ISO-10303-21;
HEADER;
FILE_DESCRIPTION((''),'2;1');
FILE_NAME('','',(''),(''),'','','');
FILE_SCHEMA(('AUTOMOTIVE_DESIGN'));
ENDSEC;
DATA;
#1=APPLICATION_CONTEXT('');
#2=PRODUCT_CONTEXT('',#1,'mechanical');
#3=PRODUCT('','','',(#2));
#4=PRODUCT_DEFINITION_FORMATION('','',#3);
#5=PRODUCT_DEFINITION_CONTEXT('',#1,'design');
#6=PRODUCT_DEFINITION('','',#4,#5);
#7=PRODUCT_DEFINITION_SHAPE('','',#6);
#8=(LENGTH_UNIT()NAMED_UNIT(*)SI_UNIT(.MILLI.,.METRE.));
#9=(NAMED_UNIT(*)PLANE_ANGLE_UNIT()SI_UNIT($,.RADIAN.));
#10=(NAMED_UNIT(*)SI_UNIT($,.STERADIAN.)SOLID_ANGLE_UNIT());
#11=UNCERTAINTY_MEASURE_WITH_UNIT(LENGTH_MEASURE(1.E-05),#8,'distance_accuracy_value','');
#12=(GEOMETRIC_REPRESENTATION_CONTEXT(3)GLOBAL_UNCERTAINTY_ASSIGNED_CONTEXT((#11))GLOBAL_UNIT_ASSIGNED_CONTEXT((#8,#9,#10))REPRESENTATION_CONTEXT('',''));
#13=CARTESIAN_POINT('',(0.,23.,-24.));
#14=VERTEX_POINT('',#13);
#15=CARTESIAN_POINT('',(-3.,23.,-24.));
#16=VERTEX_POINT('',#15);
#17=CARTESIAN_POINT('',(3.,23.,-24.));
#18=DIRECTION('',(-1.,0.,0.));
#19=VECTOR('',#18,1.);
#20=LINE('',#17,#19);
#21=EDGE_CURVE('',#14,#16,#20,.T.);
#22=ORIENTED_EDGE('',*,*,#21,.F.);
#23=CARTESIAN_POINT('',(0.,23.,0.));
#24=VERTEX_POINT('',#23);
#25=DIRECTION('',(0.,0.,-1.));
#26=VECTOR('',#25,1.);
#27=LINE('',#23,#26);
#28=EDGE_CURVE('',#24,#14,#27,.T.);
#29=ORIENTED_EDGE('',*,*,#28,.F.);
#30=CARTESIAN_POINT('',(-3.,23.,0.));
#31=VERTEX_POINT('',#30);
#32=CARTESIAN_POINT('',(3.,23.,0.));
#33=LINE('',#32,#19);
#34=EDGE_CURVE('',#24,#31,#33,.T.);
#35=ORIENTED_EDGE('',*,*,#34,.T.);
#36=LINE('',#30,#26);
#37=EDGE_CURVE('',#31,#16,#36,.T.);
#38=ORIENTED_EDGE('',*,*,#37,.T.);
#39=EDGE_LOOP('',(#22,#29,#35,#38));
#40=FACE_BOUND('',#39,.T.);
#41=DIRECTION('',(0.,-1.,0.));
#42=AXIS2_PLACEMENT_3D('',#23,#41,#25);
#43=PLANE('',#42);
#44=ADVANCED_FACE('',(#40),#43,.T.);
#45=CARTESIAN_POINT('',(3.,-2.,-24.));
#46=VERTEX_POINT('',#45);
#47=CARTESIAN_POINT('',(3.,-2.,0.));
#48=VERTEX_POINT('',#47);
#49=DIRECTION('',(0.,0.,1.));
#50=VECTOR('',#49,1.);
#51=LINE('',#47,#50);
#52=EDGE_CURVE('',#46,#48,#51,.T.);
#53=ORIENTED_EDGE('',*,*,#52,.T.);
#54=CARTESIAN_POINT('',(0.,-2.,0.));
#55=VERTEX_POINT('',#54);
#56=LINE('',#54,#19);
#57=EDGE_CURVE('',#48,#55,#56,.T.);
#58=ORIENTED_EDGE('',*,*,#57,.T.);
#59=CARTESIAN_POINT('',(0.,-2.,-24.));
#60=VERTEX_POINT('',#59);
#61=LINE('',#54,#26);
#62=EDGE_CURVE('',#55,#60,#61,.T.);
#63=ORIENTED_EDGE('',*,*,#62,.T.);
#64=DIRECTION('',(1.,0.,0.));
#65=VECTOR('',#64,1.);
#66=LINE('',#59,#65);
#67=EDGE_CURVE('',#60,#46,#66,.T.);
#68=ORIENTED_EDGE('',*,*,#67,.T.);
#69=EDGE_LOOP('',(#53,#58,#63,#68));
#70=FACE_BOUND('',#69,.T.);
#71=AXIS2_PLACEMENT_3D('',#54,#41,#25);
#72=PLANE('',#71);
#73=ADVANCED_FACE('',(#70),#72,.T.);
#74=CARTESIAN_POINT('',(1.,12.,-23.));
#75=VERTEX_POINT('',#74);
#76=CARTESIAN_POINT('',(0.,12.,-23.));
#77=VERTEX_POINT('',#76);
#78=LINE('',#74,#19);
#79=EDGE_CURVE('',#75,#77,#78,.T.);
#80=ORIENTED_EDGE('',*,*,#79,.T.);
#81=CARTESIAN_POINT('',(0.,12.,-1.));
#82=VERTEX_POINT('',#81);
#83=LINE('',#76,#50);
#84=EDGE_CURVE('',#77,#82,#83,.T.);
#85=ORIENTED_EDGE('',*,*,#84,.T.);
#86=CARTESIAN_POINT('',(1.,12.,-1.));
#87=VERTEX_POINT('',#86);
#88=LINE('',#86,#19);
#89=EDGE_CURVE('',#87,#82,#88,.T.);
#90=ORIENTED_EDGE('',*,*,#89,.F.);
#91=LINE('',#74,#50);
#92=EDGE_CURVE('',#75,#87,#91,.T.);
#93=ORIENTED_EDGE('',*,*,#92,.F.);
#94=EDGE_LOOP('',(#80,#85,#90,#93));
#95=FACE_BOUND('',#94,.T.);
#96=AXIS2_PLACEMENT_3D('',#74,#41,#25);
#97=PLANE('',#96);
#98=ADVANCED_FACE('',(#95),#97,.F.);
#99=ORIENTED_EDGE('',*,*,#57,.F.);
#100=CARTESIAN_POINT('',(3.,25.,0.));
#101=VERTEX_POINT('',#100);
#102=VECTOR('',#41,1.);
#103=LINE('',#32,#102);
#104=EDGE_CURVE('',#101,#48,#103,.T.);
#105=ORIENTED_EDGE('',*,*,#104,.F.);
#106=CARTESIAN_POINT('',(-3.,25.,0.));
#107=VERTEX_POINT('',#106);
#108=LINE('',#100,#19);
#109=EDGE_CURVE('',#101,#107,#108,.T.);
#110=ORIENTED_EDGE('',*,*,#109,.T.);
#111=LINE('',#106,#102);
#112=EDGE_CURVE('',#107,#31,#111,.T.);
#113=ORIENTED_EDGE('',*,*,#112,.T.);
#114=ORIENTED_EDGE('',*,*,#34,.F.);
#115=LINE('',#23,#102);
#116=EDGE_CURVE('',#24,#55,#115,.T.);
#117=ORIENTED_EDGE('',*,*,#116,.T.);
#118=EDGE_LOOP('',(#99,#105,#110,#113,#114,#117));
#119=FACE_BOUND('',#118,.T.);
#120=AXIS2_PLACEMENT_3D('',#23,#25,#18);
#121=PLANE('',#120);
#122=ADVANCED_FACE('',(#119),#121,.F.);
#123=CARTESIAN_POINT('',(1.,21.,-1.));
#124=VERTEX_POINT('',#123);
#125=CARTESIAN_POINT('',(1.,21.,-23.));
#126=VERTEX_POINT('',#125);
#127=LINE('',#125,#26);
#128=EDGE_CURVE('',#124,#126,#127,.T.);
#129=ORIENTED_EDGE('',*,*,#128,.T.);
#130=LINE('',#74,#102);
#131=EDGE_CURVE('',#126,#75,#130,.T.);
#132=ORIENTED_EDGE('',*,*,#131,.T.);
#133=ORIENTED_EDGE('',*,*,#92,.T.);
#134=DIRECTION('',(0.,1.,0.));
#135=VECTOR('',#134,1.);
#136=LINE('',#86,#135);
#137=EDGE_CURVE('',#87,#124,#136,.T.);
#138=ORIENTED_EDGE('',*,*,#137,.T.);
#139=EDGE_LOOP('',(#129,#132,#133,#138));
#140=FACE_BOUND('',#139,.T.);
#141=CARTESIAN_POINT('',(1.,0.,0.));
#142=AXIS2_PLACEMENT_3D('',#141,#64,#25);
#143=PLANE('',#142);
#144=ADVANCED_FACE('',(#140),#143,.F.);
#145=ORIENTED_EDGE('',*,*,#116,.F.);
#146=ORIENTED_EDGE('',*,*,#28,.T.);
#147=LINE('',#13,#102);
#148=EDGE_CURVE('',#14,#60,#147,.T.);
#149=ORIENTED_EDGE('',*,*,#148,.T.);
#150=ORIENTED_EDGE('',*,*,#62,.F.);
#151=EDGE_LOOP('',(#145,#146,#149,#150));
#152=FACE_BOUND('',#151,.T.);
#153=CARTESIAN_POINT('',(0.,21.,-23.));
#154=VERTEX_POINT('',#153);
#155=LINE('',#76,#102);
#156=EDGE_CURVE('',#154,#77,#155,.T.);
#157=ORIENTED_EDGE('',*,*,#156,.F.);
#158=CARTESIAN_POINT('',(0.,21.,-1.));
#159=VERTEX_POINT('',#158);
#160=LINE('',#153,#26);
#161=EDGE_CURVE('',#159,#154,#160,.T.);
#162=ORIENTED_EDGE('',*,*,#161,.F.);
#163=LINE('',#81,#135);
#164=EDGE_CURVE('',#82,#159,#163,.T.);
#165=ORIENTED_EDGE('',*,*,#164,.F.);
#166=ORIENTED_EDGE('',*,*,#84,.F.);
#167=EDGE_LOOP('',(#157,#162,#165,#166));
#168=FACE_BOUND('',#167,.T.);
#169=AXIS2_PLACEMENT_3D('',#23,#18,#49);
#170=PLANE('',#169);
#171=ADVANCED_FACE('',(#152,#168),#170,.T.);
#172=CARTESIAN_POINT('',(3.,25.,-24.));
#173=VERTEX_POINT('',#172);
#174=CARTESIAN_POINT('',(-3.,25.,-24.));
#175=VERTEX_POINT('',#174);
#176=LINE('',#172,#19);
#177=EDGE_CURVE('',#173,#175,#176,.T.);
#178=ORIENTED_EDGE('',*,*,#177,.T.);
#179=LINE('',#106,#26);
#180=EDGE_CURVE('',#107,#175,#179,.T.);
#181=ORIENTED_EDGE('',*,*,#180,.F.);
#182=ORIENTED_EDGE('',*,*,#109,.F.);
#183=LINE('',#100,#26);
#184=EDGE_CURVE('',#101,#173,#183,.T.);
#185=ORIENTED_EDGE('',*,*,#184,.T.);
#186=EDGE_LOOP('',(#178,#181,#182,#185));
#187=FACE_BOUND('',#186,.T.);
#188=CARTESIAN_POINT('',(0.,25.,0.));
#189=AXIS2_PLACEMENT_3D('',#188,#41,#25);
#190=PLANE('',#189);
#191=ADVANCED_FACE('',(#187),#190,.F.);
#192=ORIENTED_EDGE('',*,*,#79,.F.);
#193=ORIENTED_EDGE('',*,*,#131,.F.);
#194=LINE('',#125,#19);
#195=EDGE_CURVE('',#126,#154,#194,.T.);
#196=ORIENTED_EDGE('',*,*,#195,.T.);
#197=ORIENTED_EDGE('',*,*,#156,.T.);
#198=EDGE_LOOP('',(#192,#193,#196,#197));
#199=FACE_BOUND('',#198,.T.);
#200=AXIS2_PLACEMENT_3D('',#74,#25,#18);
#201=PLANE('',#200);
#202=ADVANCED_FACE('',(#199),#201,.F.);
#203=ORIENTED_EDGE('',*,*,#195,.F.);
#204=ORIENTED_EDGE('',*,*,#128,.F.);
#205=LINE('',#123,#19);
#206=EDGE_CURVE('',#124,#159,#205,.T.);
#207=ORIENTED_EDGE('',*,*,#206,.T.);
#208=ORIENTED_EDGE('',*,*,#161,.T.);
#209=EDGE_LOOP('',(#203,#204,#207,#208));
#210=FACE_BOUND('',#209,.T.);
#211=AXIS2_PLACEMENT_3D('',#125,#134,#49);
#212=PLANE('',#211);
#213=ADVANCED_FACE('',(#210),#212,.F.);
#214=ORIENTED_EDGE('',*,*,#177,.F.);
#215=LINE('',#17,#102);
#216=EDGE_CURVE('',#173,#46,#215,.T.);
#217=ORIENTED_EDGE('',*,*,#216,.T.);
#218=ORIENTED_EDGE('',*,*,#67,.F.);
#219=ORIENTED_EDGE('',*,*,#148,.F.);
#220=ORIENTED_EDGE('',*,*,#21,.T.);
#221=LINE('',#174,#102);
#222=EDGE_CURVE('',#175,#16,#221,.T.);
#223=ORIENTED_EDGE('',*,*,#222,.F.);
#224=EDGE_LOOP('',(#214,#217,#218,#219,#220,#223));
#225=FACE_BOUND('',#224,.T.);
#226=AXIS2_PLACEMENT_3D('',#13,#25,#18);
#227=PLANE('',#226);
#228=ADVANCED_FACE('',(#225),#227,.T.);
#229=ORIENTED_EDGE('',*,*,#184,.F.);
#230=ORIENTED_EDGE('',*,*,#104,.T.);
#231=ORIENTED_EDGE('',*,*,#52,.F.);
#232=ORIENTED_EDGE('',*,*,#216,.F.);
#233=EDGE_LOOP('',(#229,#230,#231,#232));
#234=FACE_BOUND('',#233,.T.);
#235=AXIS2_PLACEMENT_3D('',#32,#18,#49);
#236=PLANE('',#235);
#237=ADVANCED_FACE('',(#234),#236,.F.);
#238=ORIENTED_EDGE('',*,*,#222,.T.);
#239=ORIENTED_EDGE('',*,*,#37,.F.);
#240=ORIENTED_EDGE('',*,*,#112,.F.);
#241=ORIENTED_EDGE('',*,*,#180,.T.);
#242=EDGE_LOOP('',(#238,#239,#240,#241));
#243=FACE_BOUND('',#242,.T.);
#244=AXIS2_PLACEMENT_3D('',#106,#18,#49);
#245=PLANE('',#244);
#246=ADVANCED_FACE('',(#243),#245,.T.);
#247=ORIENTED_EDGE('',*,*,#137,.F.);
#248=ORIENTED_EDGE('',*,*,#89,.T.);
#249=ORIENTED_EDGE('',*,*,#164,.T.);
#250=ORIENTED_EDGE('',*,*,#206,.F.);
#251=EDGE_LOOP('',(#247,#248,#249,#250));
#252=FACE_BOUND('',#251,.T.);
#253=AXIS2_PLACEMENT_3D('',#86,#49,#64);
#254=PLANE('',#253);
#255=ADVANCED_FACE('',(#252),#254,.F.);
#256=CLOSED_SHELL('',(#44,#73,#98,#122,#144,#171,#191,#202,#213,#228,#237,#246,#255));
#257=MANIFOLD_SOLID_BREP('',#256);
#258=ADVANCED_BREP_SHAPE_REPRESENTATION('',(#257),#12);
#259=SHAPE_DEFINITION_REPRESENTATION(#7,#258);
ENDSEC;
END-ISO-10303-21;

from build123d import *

# Parameters (mm, degrees)
SKETCH1_W           = 3
SKETCH1_H           = 24
BOSS_EXTRUDE1_DEPTH = 23
SKETCH2_W           = 6
SKETCH2_H           = 24
BOSS_EXTRUDE2_DEPTH = 2
SKETCH3_W           = 22
SKETCH3_H           = 9
CUT_EXTRUDE1_DEPTH  = 1
SKETCH4_W           = 3
SKETCH4_H           = 24
BOSS_EXTRUDE3_DEPTH = 2


with BuildPart() as part:
    # Sketch1 → Boss-Extrude1 (new body)
    with BuildSketch(Plane(origin=(0, 0, 0), x_dir=(1, 0, 0), z_dir=(0, 1, 0))):
        with Locations((1.5, 12)):
            Rectangle(SKETCH1_W, SKETCH1_H)
    extrude(amount=BOSS_EXTRUDE1_DEPTH)

    # Sketch2 → Boss-Extrude2 (add)
    with BuildSketch(Plane(origin=(0, 23, 0), x_dir=(1, 0, 0), z_dir=(0, 1, 0))):
        with Locations((0, 12)):
            Rectangle(SKETCH2_W, SKETCH2_H)
    extrude(amount=BOSS_EXTRUDE2_DEPTH)

    # Sketch3 → Cut-Extrude1 (cut)
    with BuildSketch(Plane.ZY):
        with Locations((-12, 16.5)):
            Rectangle(SKETCH3_W, SKETCH3_H)
    extrude(amount=-CUT_EXTRUDE1_DEPTH, mode=Mode.SUBTRACT)

    # Sketch4 → Boss-Extrude3 (add)
    with BuildSketch(Plane.XZ):
        with Locations((1.5, -12)):
            Rectangle(SKETCH4_W, SKETCH4_H)
    extrude(amount=BOSS_EXTRUDE3_DEPTH)


solid = part.part
